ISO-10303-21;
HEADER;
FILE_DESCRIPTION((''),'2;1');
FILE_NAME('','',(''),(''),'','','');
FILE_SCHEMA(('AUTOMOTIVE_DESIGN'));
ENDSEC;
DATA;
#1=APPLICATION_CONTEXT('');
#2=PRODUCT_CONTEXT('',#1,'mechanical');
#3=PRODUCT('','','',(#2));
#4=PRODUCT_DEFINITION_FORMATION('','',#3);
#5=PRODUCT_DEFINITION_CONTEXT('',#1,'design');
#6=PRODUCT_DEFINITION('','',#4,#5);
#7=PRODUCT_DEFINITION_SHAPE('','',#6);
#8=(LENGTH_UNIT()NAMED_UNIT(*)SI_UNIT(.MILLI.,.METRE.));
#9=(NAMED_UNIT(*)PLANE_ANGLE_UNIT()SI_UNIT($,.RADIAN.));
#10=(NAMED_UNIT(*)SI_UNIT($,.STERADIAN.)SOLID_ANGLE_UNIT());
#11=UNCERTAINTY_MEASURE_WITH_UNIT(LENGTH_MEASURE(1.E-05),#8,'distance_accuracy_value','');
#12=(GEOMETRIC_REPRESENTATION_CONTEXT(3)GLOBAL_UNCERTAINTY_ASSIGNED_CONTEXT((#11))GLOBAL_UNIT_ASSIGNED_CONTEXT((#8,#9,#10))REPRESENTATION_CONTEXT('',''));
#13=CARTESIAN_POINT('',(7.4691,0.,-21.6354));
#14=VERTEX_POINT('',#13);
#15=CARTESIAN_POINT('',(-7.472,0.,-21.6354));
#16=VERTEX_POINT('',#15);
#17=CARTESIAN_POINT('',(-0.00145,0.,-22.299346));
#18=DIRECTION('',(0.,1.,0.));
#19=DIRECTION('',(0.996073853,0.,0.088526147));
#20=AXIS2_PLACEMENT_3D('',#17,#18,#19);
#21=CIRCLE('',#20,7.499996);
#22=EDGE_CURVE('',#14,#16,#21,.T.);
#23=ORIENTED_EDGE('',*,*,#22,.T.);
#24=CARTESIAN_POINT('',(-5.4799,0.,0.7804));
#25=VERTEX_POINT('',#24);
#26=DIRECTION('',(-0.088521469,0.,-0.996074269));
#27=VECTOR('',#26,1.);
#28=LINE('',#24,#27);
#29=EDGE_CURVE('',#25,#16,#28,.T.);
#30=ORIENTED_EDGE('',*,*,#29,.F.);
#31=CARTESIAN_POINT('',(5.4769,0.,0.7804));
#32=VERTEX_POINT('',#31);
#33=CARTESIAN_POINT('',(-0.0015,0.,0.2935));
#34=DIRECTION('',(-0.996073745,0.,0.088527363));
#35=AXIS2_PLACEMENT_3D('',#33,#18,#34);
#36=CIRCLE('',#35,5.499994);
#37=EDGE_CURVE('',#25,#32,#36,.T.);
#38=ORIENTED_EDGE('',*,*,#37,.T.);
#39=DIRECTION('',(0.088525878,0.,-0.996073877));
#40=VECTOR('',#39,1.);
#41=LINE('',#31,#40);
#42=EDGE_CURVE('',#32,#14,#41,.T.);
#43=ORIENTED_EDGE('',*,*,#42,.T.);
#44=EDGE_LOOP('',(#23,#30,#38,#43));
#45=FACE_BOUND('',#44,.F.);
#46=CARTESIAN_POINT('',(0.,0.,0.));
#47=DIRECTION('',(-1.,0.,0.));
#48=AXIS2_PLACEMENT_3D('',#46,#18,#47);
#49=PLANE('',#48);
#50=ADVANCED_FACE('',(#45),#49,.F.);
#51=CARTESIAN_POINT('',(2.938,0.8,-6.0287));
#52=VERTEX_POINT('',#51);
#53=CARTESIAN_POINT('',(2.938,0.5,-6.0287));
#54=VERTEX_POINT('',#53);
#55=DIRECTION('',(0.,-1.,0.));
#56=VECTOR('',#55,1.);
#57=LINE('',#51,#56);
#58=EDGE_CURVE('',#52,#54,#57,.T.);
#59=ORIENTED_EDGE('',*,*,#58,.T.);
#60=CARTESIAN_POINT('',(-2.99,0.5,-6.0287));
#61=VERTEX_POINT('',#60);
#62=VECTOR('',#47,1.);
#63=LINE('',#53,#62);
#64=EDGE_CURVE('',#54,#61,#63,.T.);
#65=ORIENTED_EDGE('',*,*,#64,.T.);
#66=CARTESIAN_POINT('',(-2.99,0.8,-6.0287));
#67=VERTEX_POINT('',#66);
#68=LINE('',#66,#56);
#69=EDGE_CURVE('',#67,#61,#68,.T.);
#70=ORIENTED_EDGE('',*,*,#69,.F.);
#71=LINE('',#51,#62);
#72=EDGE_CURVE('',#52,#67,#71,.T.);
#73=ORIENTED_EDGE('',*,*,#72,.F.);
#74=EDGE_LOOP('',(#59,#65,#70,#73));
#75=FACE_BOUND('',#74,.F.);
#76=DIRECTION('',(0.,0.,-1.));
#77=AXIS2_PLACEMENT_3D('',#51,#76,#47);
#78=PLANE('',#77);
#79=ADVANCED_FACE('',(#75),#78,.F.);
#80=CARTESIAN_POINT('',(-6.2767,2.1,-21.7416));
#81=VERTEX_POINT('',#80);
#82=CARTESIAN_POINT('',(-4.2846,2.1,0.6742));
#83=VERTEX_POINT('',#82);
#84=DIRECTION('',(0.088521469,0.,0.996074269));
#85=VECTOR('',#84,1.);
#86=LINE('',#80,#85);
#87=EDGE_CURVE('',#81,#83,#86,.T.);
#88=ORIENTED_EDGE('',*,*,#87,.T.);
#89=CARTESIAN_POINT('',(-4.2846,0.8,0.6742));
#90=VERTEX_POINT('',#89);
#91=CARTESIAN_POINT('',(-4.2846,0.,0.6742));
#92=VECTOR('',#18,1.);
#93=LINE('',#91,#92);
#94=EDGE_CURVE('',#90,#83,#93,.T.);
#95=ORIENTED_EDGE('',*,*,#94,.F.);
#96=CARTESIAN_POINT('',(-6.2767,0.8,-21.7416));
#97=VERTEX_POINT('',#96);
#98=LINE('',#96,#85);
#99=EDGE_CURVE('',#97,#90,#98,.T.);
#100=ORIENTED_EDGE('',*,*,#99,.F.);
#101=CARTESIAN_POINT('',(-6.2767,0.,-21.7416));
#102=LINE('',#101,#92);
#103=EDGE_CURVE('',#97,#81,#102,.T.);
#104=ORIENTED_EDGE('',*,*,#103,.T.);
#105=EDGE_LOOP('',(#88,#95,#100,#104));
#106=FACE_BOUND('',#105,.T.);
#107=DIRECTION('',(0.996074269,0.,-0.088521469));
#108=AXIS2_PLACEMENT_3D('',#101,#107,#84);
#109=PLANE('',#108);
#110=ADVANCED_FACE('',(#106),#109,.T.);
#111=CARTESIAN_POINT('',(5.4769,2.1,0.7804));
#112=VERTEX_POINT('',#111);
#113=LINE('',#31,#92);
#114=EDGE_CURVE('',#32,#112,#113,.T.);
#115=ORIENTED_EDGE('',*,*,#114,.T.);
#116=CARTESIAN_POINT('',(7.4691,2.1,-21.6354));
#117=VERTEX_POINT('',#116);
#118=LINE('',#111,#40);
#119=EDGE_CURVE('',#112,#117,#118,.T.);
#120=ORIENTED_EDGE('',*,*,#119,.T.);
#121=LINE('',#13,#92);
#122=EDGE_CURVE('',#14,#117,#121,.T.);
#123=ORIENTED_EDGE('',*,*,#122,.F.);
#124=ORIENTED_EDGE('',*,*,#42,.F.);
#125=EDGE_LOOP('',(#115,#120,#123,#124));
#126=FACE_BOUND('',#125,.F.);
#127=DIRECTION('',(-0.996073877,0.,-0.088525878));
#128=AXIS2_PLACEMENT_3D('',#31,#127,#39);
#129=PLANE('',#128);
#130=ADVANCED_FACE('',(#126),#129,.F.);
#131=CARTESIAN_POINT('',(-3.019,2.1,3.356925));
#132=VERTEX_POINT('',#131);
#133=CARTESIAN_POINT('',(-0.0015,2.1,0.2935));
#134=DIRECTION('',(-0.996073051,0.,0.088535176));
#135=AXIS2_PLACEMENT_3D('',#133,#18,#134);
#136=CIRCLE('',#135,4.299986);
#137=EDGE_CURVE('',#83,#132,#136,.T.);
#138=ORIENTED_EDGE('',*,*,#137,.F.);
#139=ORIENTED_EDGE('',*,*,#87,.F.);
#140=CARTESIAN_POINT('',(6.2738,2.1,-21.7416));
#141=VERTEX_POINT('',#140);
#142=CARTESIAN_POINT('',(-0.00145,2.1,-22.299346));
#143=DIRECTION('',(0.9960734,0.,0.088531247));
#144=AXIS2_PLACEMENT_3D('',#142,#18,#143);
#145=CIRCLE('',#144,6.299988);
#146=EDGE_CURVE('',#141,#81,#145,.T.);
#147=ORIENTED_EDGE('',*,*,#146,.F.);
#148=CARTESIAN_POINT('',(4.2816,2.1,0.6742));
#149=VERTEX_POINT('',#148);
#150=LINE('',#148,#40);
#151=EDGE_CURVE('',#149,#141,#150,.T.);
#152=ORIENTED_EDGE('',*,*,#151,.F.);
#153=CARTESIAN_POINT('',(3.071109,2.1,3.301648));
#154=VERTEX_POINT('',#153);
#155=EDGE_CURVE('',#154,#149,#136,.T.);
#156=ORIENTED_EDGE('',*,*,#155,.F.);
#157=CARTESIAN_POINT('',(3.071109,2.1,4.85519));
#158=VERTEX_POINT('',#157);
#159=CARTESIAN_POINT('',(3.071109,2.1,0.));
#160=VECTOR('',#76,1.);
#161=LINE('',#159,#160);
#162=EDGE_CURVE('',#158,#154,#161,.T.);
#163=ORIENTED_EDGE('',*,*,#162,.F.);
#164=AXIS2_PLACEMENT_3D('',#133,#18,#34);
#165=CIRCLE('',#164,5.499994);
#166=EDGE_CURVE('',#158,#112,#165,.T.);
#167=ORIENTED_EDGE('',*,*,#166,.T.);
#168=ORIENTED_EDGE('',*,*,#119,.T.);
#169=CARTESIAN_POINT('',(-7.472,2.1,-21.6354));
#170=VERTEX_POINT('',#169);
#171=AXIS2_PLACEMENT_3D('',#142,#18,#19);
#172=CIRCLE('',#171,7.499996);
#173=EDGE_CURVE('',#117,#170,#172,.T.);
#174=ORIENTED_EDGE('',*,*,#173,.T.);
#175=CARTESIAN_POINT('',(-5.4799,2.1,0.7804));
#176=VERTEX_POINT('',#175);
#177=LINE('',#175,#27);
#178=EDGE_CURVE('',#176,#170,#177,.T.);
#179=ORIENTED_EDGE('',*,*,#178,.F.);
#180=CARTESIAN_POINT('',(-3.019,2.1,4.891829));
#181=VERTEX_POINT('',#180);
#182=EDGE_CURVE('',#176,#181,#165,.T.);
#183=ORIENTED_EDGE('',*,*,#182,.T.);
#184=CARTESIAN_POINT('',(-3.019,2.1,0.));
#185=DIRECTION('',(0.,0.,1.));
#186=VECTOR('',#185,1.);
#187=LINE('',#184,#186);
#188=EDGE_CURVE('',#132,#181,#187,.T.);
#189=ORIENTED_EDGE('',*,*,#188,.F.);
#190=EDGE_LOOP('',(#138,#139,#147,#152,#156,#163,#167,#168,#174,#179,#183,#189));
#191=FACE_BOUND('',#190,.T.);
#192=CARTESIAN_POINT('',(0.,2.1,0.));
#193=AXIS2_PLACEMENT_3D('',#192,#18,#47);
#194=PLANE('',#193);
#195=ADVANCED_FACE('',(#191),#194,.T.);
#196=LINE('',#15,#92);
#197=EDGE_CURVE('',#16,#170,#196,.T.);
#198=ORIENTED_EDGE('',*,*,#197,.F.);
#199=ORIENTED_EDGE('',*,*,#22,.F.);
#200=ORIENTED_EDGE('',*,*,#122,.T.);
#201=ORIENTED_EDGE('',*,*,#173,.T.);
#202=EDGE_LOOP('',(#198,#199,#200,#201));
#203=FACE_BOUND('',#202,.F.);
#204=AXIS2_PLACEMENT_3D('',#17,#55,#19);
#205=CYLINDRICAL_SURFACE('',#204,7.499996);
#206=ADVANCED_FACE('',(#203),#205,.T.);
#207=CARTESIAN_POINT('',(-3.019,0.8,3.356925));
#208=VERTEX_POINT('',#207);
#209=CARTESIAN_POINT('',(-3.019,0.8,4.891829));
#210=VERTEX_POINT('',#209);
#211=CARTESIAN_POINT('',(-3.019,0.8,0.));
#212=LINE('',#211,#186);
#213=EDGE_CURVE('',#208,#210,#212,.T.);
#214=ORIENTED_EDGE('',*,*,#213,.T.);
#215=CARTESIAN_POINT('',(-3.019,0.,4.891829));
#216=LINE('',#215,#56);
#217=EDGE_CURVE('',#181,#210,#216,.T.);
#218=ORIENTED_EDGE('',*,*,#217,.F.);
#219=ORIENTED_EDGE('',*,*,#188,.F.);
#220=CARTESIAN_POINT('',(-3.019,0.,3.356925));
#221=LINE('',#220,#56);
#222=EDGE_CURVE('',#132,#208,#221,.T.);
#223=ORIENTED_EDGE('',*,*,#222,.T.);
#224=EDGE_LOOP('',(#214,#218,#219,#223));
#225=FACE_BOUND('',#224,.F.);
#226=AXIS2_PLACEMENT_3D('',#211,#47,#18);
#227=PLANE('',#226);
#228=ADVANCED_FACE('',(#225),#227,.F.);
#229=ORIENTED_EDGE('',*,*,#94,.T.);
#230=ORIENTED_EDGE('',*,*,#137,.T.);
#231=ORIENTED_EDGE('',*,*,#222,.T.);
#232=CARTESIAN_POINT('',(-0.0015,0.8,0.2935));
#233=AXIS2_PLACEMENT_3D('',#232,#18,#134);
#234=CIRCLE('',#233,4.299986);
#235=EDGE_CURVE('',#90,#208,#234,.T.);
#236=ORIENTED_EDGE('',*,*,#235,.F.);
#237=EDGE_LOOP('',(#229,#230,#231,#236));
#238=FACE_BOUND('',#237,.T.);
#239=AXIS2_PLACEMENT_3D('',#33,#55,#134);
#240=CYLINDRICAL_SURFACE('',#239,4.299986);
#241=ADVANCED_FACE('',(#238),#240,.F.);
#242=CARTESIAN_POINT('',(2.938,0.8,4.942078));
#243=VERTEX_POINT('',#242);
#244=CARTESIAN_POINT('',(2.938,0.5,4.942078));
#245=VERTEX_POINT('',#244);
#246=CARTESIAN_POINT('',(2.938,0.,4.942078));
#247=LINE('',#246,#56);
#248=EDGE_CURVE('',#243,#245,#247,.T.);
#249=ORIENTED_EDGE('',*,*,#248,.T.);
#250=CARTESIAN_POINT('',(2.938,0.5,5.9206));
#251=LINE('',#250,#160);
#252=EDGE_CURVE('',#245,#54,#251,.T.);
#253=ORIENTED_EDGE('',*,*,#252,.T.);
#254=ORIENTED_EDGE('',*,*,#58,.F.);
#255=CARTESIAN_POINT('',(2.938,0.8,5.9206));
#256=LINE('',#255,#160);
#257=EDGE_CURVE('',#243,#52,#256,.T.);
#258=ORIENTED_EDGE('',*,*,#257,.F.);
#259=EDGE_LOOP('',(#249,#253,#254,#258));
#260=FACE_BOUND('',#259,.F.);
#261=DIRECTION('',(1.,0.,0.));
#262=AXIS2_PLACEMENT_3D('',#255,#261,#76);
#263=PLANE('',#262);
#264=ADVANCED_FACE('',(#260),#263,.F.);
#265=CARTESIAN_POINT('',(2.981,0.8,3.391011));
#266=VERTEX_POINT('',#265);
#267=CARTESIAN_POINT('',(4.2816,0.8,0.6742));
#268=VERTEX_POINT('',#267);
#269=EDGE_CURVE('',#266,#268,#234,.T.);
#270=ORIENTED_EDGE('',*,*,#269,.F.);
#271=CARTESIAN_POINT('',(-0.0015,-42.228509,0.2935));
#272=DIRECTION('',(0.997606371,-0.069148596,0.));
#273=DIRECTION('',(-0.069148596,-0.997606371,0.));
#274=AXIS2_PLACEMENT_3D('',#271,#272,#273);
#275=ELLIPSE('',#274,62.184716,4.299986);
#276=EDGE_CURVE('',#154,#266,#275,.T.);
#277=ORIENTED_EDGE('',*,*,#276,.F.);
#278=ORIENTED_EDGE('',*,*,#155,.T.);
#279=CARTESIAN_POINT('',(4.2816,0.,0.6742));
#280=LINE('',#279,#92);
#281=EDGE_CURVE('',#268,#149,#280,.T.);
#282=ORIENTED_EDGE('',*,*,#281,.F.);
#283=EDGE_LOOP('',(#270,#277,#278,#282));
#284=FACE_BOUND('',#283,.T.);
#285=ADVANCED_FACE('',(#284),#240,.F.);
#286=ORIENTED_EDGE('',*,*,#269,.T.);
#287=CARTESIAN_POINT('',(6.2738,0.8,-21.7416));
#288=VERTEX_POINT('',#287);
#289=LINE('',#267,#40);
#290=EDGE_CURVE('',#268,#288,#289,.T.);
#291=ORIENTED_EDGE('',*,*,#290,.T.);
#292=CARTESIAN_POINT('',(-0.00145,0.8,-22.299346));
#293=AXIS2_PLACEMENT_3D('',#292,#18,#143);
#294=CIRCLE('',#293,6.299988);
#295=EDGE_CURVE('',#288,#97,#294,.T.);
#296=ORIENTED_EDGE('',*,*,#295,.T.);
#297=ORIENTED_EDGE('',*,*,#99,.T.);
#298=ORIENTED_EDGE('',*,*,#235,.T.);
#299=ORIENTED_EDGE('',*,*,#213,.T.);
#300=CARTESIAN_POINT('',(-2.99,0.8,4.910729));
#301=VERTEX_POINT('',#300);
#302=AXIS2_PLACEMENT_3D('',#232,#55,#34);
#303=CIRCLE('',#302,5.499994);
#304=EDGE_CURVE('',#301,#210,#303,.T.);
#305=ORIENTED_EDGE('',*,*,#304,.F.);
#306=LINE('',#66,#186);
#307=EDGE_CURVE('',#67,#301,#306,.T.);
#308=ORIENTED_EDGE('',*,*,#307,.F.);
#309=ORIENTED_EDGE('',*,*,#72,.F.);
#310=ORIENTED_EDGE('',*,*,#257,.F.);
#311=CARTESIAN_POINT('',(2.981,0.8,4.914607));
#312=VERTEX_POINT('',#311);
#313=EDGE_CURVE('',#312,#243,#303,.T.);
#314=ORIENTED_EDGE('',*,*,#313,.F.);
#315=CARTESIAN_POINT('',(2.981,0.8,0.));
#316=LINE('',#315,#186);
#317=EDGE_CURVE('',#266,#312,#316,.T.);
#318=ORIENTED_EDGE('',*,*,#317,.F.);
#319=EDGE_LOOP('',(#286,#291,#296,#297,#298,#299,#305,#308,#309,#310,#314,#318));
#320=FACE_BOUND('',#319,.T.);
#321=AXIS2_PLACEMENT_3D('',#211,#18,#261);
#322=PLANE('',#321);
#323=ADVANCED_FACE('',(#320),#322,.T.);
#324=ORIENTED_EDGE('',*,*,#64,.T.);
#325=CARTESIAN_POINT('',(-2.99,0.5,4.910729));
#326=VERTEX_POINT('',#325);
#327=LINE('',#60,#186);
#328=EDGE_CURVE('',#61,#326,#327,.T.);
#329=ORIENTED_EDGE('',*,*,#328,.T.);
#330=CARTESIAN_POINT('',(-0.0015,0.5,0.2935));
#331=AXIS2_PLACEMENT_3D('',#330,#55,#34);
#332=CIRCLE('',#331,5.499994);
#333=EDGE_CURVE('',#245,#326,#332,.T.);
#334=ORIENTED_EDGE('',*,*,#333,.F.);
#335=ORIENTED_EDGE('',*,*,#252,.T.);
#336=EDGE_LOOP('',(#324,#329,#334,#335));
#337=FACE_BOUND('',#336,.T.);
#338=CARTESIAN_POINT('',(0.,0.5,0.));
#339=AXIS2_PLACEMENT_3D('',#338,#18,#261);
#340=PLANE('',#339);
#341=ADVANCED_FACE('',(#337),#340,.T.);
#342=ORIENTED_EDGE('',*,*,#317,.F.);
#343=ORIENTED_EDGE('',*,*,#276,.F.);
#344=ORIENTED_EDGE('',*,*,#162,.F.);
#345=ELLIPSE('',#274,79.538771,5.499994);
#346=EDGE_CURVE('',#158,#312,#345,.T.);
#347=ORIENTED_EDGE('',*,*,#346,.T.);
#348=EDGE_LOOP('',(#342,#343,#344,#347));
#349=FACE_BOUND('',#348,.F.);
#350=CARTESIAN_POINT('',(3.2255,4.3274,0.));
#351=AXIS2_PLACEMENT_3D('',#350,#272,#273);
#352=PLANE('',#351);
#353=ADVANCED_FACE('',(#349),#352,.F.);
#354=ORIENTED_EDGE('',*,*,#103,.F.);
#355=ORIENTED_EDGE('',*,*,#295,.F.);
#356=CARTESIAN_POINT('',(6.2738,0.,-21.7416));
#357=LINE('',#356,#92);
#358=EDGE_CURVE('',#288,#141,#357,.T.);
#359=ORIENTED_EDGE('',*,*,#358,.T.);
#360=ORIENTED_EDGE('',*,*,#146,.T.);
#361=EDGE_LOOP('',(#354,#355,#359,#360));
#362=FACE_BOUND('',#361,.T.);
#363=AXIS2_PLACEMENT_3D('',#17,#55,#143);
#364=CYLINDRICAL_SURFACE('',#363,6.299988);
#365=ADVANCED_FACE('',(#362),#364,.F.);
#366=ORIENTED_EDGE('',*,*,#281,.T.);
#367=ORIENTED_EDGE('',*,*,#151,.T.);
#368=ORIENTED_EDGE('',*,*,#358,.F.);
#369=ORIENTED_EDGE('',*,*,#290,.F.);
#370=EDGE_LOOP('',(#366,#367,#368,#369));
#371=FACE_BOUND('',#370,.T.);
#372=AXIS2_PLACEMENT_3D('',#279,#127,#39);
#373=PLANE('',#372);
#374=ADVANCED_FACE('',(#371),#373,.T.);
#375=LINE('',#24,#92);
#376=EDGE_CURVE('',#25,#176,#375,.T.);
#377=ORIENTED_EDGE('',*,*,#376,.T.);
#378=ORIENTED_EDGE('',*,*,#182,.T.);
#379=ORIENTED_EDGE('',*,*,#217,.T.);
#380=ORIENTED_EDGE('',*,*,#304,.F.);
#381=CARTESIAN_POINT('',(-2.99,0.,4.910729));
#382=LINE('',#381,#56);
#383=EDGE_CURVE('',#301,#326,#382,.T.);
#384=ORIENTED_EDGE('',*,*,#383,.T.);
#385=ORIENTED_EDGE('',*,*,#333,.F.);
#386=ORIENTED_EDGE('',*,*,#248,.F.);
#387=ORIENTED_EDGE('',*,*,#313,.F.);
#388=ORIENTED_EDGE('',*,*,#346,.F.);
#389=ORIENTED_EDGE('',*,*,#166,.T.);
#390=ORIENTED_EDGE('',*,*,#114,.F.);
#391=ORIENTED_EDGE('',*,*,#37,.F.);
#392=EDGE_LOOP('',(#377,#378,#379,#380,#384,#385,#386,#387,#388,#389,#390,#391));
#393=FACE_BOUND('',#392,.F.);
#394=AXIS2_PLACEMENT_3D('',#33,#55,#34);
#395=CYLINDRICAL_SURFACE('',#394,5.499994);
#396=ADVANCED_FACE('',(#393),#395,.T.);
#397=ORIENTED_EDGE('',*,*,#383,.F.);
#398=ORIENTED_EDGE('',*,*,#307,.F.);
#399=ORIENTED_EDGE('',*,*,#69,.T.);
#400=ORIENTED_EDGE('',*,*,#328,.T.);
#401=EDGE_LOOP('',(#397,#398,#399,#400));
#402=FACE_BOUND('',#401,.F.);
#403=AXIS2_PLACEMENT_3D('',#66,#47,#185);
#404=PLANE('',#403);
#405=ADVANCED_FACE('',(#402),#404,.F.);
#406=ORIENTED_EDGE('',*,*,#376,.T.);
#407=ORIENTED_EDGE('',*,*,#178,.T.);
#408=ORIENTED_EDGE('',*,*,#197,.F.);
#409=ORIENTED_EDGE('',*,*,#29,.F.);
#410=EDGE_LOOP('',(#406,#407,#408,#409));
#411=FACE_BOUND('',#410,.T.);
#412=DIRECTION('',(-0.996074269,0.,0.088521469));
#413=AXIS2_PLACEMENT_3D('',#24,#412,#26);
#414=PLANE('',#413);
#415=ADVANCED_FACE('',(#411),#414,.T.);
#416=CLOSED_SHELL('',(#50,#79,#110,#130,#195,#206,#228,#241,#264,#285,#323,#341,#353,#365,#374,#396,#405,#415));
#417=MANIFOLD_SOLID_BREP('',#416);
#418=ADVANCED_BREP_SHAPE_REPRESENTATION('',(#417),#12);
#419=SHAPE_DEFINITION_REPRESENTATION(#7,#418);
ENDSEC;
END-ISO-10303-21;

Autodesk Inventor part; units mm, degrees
ref_plane "YZ Plane" through (0, 0, 0) normal (1, 0, 0) x (0, 1, 0)
ref_plane "XZ Plane" through (0, 0, 0) normal (0, 1, 0) x (-1, 0, 0)
ref_plane "XY Plane" through (0, 0, 0) normal (0, 0, 1) x (1, 0, 0)
sketch "Sketch1" plane through (0, 0, 0) normal (0, 1, 0) x (-1, 0, 0)
  arc A0 (5.4799, 0.7804) -> (-5.4769, 0.7804) centre (0.0015, 0.2935) ccw
  arc A1 (-7.4691, -21.6354) -> (7.472, -21.6354) centre (0.0015, -22.2993) ccw
  line L0 (-5.4769, 0.7804) -> (-7.4691, -21.6354)
  line L1 (5.4799, 0.7804) -> (7.472, -21.6354)
  line L2 (6.2767, -21.7416) -> (4.2846, 0.6742)
  arc A2 (4.2846, 0.6742) -> (-4.2816, 0.6742) centre (0.0015, 0.2935) ccw
  line L3 (-4.2816, 0.6742) -> (-6.2738, -21.7416)
  arc A3 (-6.2738, -21.7416) -> (6.2767, -21.7416) centre (0.0015, -22.2993) ccw
  dimension "d18" = 11
  dimension "d19" = 15
  dimension "d22" = 1.2
extrude "Extrusion7" add sketch "Sketch1" along normal blind 2.1
extrude "Extrusion8" add sketch "Sketch1" along normal blind 0.8 contours A3 L3 A2 L2
sketch "Sketch5" plane through (0, 0, 0) normal (0, 0, 1) x (1, 0, 0)
  line L0 (-3.019, 0.8) -> (2.981, 0.8)
  line L1 (5.4769, 0) -> (-5.4799, 0) projected
  line L2 (-3.019, 0.8) -> (-3.019, 4.3274)
  line L3 (-3.019, 4.3274) -> (3.2255, 4.3274)
  line L4 (3.2255, 4.3274) -> (2.981, 0.8)
  point P0 (0, 0)
  point P1 (-0.0015, 0)
  dimension "d27" = 6
  dimension "d28" = 0.8
extrude "Extrusion9" cut sketch "Sketch5" along normal blind 14.7
sketch "Sketch6" plane through (0, 0.8, 0) normal (0, 1, 0) x (1, 0, 0)
  line L0 (-2.99, -5.9206) -> (2.938, -5.9206)
  line L1 (2.938, -5.9206) -> (2.938, 6.0287)
  line L2 (2.938, 6.0287) -> (-2.99, 6.0287)
  line L3 (-2.99, 6.0287) -> (-2.99, -5.9206)
  point P0 (0, 0)
extrude "Extrusion10" cut sketch "Sketch6" against normal blind 0.3
properties part number "Tapa1_3DPrint"
